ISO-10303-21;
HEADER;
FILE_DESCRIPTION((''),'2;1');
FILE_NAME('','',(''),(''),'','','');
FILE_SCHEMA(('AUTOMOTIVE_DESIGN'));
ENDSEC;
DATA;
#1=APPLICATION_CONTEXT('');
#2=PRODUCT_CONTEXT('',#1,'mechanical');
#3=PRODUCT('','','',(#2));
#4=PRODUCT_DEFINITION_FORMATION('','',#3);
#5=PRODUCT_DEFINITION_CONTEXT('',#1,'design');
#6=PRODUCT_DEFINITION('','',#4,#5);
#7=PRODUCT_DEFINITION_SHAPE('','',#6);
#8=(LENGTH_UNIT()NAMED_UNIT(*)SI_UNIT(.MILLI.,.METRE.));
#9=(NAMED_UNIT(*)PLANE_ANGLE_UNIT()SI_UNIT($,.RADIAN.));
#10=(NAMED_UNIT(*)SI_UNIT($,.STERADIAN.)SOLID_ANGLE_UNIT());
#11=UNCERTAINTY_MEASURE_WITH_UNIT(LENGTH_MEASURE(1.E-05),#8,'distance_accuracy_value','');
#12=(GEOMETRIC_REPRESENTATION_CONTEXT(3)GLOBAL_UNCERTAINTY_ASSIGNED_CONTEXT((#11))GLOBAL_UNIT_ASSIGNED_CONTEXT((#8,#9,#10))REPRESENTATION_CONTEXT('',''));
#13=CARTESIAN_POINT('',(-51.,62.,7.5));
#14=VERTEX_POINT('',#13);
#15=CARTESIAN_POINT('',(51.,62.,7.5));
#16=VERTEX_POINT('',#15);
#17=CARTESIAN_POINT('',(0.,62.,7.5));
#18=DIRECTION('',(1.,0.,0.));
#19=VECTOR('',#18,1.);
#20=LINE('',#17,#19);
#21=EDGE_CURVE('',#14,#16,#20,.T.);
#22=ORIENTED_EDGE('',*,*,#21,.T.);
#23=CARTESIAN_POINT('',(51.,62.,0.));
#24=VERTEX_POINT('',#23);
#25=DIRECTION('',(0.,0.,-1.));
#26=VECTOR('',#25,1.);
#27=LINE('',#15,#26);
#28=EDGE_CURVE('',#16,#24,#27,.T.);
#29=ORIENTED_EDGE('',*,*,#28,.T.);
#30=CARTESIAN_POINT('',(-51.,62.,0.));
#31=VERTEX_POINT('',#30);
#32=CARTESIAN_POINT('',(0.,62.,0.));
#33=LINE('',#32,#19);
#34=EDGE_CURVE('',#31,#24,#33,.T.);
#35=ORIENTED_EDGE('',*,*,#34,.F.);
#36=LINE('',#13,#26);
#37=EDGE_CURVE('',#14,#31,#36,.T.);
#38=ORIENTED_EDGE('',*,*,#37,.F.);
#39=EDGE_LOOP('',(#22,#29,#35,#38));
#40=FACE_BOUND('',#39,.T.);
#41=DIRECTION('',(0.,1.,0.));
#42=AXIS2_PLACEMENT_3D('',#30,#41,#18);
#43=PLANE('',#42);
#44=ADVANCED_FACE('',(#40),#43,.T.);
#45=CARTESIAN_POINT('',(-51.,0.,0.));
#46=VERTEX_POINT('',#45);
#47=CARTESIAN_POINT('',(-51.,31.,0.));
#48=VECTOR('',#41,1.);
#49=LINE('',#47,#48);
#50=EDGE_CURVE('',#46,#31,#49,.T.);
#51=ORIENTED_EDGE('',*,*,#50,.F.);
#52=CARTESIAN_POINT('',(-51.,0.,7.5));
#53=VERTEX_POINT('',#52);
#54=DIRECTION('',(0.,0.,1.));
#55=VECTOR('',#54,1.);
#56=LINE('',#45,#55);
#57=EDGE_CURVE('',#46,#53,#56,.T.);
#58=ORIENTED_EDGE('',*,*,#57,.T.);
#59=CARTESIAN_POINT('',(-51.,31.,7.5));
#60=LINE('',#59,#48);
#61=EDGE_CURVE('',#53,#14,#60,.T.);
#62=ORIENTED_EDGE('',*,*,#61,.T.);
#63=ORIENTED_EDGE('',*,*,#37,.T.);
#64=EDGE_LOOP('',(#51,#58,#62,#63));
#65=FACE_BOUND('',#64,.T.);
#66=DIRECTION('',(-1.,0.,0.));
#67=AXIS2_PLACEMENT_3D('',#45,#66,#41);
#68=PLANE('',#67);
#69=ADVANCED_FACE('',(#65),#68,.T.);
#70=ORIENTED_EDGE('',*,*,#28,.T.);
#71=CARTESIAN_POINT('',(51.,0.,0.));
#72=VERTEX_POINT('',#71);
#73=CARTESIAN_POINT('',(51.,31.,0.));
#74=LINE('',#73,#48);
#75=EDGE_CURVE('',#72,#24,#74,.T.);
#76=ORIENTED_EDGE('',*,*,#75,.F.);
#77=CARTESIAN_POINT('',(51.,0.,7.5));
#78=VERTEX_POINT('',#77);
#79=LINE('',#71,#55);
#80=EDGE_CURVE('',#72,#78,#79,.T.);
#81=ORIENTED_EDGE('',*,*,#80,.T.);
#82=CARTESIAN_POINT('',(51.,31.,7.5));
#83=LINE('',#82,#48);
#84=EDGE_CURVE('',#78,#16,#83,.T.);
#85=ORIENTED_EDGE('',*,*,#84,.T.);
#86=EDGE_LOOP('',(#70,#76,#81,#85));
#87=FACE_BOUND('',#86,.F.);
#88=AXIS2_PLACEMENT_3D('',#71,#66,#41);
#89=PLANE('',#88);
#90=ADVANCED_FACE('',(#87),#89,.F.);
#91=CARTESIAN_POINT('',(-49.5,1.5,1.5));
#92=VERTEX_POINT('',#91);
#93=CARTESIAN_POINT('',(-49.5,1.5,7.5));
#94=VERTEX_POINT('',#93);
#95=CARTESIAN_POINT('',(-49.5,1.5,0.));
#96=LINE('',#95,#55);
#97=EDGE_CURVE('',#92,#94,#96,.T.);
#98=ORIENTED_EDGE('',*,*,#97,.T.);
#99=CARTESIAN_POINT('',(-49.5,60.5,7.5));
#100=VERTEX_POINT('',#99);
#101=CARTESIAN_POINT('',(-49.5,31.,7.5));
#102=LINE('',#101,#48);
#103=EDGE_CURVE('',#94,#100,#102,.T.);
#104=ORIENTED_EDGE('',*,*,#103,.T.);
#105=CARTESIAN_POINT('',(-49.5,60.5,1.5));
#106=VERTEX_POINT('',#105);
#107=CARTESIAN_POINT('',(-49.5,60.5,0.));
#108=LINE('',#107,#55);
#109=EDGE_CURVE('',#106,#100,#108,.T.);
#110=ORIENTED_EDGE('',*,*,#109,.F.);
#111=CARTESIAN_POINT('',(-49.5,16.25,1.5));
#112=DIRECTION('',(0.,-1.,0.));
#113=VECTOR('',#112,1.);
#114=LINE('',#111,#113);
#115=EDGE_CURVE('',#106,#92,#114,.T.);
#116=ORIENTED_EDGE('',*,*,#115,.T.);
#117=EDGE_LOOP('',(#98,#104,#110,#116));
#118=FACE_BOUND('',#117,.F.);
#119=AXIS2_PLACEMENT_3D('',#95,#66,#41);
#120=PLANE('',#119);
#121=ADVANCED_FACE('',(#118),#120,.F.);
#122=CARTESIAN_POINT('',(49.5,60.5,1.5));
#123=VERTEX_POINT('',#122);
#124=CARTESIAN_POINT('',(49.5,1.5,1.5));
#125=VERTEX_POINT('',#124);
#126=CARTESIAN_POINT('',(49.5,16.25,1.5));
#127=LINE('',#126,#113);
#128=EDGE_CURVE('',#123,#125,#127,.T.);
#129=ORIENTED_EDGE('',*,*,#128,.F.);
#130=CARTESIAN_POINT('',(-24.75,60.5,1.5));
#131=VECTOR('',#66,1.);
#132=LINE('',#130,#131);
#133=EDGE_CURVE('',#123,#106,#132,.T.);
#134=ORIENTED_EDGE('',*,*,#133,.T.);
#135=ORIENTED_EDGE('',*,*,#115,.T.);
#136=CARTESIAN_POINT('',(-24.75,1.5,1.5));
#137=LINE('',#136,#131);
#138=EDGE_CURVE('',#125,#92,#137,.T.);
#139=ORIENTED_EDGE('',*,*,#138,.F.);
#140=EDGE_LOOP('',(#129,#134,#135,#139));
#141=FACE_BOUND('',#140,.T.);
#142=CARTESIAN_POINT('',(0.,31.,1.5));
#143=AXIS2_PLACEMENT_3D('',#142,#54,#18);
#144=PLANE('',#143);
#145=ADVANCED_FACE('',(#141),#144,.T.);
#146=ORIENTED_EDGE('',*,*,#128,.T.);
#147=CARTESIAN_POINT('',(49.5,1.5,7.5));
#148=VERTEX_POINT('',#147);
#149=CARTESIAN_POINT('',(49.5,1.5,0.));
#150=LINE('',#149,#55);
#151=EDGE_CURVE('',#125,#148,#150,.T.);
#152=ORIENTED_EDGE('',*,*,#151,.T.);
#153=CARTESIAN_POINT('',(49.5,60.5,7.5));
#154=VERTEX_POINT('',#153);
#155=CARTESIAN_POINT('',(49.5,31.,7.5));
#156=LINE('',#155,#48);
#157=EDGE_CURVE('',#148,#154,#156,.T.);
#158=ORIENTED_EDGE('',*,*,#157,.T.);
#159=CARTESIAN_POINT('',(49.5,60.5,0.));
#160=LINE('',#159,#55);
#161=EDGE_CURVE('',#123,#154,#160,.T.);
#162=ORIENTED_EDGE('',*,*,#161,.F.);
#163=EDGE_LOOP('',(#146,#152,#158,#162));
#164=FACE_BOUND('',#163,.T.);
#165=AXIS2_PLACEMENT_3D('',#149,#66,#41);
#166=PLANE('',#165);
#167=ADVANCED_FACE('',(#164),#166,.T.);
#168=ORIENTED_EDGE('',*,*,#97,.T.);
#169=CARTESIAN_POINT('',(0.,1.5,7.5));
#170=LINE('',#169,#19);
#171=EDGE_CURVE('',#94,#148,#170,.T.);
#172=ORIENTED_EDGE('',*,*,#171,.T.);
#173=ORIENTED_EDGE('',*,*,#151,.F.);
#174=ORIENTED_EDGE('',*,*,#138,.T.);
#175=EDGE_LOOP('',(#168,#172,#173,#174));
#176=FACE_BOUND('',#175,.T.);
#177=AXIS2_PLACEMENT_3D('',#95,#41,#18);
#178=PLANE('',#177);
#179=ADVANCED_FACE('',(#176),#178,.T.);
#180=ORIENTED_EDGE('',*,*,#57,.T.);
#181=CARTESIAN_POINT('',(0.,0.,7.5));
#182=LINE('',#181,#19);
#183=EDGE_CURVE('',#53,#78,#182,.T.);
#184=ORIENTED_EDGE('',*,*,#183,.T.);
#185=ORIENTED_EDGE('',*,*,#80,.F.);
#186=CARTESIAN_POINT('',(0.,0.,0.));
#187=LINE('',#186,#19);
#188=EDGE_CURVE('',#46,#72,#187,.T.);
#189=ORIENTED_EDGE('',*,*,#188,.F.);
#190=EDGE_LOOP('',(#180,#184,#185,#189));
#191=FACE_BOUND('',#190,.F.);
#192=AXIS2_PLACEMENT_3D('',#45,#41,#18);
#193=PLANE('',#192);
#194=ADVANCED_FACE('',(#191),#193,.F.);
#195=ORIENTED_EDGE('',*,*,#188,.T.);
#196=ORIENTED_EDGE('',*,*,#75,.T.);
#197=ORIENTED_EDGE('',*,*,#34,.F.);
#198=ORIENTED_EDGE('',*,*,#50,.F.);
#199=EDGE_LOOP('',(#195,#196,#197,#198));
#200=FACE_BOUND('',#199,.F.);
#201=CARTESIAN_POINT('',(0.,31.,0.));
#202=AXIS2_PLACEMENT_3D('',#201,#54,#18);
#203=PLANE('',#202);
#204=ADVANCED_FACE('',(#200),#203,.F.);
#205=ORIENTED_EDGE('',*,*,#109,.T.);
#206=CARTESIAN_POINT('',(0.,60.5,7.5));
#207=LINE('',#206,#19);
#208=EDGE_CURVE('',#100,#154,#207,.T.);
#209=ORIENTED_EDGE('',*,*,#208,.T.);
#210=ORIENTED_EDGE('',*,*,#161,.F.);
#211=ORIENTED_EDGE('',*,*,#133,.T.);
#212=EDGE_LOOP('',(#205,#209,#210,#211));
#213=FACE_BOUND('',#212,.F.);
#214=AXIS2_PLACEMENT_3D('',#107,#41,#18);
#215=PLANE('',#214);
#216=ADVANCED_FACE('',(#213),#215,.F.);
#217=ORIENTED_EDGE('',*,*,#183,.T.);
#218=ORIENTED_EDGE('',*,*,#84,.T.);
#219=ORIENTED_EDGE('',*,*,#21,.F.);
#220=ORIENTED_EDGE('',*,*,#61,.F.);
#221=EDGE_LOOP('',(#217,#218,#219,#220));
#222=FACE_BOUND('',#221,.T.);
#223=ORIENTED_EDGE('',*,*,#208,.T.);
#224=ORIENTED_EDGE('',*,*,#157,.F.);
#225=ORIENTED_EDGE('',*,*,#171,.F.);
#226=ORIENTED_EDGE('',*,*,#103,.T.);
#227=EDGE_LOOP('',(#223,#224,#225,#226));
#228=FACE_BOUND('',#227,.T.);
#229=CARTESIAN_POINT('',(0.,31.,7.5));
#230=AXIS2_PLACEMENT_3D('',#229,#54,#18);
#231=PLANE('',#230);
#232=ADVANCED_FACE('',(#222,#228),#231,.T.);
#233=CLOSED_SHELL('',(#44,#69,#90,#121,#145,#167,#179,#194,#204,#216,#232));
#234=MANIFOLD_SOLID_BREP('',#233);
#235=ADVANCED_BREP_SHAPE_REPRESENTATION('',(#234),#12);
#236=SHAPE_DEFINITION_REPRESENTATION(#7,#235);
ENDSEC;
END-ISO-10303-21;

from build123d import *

# Parameters (mm, degrees)
SKETCH_W      = 102
SKETCH_H      = 62
PAD_DEPTH     = 1.5
SKETCH001_W   = 102
SKETCH001_H   = 62
SKETCH001_W_2 = 99
SKETCH001_H_2 = 59
PAD001_DEPTH  = 7.5


with BuildPart() as part:
    # Sketch → Pad (new body)
    with BuildSketch(Plane.XY):
        with Locations((0, 31)):
            Rectangle(SKETCH_W, SKETCH_H)
    extrude(amount=PAD_DEPTH)

    # Sketch001 → Pad001 (join)
    with BuildSketch(Plane.XY):
        with Locations((0, 31)):
            Rectangle(SKETCH001_W, SKETCH001_H)
        with Locations((0, 31)):
            Rectangle(SKETCH001_W_2, SKETCH001_H_2, mode=Mode.SUBTRACT)
    extrude(amount=PAD001_DEPTH)


solid = part.part
